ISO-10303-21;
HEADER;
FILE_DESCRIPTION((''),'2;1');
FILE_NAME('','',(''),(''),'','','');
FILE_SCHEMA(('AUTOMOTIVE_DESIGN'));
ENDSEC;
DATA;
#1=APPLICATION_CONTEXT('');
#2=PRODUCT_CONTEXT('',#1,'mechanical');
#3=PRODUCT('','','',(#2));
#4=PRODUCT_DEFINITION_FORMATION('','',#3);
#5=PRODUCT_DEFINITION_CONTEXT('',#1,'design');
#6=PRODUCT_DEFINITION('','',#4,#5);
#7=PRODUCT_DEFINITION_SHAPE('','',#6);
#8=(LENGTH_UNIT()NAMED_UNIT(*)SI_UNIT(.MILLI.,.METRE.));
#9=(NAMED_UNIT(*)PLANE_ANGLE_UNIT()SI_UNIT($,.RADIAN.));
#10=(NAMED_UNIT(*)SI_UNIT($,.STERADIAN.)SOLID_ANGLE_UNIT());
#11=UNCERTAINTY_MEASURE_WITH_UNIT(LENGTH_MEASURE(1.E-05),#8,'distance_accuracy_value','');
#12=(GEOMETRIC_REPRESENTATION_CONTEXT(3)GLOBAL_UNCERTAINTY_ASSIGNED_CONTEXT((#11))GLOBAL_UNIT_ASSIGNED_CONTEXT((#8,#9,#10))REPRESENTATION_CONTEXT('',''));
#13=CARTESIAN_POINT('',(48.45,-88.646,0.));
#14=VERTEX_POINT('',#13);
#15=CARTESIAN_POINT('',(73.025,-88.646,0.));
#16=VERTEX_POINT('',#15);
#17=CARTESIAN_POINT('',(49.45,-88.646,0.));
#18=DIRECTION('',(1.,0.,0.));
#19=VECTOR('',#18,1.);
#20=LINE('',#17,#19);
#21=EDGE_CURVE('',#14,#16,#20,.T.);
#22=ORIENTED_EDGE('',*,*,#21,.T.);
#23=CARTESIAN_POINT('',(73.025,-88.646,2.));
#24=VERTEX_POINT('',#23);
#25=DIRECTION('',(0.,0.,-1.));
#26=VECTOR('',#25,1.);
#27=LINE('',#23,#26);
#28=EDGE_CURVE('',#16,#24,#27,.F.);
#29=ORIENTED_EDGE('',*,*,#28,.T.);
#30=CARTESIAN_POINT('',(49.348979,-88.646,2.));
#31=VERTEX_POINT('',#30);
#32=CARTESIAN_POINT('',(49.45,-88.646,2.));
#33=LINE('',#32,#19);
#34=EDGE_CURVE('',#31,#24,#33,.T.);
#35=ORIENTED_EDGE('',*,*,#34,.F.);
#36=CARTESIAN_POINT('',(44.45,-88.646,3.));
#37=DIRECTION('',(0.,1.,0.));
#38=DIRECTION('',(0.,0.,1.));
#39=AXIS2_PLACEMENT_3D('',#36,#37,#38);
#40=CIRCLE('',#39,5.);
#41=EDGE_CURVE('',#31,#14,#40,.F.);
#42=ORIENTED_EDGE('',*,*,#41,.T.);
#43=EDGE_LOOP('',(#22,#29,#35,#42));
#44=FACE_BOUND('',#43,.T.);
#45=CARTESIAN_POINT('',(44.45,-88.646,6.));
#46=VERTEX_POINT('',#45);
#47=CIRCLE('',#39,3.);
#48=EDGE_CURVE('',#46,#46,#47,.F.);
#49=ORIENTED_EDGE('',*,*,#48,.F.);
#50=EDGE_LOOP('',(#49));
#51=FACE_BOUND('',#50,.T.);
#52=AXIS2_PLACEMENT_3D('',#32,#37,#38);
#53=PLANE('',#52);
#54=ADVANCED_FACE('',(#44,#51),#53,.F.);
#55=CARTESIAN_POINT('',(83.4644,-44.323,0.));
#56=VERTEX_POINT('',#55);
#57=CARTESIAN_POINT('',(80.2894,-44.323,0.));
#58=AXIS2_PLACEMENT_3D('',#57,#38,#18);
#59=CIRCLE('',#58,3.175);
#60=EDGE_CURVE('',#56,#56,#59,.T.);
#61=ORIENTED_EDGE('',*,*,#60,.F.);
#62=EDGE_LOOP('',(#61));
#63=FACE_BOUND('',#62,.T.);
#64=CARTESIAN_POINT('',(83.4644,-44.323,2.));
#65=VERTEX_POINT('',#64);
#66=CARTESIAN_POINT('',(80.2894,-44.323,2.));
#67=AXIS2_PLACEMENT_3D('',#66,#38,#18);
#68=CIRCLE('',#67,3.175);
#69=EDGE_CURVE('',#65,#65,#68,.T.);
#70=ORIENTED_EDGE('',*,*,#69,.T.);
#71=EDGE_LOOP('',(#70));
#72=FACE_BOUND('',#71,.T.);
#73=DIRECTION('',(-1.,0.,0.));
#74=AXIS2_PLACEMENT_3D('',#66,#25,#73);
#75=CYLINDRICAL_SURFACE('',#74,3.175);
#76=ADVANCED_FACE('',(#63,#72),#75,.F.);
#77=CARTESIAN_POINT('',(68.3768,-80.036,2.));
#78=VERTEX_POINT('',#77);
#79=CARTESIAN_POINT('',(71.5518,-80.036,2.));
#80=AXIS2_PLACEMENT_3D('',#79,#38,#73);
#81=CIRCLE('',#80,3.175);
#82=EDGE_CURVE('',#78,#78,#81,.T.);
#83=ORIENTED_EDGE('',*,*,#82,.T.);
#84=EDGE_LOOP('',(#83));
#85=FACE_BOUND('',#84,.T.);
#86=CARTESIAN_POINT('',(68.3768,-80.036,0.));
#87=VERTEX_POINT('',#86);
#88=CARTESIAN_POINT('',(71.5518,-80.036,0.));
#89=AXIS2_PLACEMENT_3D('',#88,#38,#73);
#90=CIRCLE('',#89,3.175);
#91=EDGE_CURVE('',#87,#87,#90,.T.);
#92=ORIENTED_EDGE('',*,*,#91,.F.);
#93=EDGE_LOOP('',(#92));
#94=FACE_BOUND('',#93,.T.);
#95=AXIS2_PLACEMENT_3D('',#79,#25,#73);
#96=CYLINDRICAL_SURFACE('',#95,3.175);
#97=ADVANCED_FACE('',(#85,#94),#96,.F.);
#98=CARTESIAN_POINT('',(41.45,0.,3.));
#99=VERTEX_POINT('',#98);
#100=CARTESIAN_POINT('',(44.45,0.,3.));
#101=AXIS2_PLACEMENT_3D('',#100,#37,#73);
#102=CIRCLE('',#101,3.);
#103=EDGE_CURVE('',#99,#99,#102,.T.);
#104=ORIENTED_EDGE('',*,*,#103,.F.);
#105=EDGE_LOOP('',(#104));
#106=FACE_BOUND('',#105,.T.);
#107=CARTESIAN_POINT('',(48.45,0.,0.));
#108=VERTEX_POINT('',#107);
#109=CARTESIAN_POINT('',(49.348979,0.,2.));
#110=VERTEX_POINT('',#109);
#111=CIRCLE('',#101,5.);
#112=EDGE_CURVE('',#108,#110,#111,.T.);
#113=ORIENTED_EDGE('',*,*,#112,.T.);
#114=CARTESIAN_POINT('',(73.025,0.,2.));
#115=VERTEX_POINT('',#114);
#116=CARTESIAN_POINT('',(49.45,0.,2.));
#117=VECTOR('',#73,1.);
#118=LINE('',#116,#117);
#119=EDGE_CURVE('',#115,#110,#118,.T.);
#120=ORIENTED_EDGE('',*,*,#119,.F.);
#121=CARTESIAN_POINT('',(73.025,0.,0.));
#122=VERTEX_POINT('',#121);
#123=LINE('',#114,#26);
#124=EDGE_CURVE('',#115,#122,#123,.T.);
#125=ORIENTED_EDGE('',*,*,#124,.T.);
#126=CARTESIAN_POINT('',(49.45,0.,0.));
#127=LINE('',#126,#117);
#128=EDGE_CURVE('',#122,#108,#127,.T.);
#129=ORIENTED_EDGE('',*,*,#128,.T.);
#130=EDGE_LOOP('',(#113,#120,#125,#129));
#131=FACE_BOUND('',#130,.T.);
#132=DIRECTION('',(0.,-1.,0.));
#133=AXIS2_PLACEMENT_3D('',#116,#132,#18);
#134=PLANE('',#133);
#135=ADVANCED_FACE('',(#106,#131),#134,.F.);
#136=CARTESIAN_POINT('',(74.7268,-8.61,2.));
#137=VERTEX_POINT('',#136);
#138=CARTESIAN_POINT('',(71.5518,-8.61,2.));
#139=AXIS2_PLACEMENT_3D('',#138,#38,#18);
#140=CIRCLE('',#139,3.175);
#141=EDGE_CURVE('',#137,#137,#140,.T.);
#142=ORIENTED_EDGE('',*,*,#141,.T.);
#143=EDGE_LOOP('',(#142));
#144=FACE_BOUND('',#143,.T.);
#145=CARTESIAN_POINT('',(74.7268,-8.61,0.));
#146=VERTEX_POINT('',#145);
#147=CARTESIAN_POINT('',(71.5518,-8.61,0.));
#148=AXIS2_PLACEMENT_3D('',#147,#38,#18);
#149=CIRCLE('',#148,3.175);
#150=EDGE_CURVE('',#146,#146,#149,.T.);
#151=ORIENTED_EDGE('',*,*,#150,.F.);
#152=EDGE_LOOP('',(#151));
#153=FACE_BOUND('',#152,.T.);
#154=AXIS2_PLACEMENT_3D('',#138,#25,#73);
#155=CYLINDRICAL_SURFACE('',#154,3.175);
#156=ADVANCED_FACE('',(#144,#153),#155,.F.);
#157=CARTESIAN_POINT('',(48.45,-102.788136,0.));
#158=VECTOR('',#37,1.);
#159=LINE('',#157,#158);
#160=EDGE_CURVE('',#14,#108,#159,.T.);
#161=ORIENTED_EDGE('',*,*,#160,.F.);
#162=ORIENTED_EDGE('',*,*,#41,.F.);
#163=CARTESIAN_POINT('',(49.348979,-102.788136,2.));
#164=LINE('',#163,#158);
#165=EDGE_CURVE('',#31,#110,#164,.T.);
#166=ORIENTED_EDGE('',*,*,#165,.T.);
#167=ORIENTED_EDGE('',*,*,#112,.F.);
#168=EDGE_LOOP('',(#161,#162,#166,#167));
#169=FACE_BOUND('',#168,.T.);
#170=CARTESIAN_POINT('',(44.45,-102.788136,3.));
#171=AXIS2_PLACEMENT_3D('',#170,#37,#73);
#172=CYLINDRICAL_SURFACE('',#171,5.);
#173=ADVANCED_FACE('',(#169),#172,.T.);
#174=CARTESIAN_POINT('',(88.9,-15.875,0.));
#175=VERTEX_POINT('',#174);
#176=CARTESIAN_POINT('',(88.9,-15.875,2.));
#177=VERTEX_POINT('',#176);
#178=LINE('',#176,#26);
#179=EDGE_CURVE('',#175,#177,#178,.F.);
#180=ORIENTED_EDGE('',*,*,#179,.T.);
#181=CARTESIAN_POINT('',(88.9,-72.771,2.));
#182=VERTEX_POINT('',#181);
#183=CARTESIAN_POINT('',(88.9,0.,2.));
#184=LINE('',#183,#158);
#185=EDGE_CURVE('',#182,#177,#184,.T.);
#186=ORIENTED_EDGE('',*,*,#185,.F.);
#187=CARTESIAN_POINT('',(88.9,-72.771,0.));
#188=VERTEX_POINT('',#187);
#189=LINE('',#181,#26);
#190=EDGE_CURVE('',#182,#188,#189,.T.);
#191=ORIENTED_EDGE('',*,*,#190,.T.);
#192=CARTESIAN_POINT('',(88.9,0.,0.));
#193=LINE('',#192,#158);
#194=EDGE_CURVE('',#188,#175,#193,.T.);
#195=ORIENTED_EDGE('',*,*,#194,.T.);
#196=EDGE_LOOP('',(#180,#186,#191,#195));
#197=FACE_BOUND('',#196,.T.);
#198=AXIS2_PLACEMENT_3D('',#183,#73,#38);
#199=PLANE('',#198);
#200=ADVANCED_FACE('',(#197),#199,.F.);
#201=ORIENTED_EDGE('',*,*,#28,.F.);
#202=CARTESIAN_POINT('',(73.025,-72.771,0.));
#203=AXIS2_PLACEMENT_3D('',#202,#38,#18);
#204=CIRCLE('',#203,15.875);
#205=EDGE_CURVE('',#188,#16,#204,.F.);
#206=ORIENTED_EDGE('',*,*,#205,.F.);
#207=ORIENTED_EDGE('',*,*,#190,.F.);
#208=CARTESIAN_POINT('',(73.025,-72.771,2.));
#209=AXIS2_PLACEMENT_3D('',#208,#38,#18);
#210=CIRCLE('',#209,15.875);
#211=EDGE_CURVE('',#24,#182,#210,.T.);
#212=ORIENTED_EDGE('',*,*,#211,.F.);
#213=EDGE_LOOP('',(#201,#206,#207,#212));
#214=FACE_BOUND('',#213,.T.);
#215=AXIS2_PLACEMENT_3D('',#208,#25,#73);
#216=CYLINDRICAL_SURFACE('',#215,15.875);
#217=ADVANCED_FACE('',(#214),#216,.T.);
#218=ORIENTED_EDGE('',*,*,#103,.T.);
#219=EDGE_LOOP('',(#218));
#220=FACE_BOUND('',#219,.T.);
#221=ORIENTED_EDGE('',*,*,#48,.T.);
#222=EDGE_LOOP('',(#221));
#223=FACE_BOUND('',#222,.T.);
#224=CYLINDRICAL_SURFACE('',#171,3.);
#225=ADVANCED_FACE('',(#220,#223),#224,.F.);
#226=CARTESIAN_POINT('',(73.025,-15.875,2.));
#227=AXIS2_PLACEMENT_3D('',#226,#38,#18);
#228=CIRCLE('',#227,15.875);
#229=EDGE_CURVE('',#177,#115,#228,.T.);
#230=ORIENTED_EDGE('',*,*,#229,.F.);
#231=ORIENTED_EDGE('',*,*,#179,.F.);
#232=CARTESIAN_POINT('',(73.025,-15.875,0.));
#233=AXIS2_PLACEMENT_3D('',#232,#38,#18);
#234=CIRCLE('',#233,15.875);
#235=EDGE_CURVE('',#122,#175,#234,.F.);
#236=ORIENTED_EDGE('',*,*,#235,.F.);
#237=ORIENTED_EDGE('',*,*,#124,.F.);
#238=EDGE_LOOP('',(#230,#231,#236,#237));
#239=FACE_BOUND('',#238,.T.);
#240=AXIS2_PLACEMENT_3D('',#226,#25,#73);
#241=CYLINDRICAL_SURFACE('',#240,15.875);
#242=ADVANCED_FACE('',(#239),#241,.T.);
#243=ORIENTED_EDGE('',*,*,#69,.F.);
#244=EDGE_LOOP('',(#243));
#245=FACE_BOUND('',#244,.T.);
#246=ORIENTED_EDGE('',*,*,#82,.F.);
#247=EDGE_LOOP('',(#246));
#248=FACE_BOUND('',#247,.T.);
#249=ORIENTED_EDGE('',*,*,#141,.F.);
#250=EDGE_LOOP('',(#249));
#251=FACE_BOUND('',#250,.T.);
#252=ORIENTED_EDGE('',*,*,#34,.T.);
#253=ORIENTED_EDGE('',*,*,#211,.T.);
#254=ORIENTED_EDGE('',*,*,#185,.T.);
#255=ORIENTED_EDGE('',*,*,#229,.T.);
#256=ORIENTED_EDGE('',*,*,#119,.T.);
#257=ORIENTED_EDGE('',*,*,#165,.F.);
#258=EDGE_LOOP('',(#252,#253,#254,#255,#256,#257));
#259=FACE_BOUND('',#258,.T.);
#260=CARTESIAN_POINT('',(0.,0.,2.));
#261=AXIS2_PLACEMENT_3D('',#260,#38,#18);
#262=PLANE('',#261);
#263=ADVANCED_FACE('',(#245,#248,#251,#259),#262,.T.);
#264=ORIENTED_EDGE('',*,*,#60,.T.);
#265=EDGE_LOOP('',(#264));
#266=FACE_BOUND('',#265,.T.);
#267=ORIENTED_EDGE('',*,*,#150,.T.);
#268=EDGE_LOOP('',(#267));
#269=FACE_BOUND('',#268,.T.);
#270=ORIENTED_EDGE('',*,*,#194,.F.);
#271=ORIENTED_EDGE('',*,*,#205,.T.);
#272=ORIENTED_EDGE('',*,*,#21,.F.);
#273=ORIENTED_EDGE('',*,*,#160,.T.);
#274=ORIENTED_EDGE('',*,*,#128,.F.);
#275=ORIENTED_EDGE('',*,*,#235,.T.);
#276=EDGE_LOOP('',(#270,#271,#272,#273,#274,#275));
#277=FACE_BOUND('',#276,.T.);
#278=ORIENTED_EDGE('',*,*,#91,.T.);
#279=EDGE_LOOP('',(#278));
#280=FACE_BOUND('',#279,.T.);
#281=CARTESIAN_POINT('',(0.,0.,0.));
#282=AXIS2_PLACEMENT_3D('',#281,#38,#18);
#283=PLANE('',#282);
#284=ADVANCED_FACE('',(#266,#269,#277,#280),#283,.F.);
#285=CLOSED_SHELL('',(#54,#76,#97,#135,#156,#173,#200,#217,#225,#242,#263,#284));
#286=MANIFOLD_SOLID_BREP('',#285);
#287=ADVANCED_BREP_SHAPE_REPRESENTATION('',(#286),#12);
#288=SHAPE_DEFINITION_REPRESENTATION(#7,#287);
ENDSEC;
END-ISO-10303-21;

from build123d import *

# Parameters (mm, degrees)
ESQUISSE1_W        = 39.45
ESQUISSE1_H        = 88.646
ESQUISSE1_R        = 3.175
BOSS_EXTRU_1_DEPTH = 2
CONG_1_R           = 15.875
ESQUISSE3_R        = 3
BOSS_EXTRU_2_DEPTH = 88.646


with BuildPart() as part:
    # Esquisse1 → Boss.-Extru.1 (new body)
    with BuildSketch(Plane.XY):
        with Locations((69.175, -44.323)):
            Rectangle(ESQUISSE1_W, ESQUISSE1_H)
        with Locations((80.2894, -44.323)):
            Circle(ESQUISSE1_R, mode=Mode.SUBTRACT)
        with Locations((71.5518, -8.61)):
            Circle(ESQUISSE1_R, mode=Mode.SUBTRACT)
        with Locations(Location((71.5518, -80.036, 0), (0, 0, 180))):
            Circle(ESQUISSE1_R, mode=Mode.SUBTRACT)
    extrude(amount=BOSS_EXTRU_1_DEPTH)

    # Congé1
    cong_1_edges = [part.edges().sort_by_distance(p)[0] for p in [
        (88.9, -88.646, 1),
        (88.9, 0, 1),
    ]]
    fillet(cong_1_edges, radius=CONG_1_R)

    # Esquisse3 → Boss.-Extru.2 (add)
    with BuildSketch(Plane(origin=(0, 0, 0), x_dir=(1, 0, 0), z_dir=(0, 1, 0))):
        with BuildLine():
            Line((49.45, 0), (48.45, 0))
            ThreePointArc((48.45, 0), (39.889522068, -5.049888053), (49.348979486, -2))
            Line((49.348979486, -2), (49.45, -2))
            Line((49.45, -2), (49.45, 0))
        make_face()
        with Locations(Location((44.45, -3, 0), (0, 0, 180))):
            Circle(ESQUISSE3_R, mode=Mode.SUBTRACT)
    extrude(amount=-BOSS_EXTRU_2_DEPTH)


solid = part.part
